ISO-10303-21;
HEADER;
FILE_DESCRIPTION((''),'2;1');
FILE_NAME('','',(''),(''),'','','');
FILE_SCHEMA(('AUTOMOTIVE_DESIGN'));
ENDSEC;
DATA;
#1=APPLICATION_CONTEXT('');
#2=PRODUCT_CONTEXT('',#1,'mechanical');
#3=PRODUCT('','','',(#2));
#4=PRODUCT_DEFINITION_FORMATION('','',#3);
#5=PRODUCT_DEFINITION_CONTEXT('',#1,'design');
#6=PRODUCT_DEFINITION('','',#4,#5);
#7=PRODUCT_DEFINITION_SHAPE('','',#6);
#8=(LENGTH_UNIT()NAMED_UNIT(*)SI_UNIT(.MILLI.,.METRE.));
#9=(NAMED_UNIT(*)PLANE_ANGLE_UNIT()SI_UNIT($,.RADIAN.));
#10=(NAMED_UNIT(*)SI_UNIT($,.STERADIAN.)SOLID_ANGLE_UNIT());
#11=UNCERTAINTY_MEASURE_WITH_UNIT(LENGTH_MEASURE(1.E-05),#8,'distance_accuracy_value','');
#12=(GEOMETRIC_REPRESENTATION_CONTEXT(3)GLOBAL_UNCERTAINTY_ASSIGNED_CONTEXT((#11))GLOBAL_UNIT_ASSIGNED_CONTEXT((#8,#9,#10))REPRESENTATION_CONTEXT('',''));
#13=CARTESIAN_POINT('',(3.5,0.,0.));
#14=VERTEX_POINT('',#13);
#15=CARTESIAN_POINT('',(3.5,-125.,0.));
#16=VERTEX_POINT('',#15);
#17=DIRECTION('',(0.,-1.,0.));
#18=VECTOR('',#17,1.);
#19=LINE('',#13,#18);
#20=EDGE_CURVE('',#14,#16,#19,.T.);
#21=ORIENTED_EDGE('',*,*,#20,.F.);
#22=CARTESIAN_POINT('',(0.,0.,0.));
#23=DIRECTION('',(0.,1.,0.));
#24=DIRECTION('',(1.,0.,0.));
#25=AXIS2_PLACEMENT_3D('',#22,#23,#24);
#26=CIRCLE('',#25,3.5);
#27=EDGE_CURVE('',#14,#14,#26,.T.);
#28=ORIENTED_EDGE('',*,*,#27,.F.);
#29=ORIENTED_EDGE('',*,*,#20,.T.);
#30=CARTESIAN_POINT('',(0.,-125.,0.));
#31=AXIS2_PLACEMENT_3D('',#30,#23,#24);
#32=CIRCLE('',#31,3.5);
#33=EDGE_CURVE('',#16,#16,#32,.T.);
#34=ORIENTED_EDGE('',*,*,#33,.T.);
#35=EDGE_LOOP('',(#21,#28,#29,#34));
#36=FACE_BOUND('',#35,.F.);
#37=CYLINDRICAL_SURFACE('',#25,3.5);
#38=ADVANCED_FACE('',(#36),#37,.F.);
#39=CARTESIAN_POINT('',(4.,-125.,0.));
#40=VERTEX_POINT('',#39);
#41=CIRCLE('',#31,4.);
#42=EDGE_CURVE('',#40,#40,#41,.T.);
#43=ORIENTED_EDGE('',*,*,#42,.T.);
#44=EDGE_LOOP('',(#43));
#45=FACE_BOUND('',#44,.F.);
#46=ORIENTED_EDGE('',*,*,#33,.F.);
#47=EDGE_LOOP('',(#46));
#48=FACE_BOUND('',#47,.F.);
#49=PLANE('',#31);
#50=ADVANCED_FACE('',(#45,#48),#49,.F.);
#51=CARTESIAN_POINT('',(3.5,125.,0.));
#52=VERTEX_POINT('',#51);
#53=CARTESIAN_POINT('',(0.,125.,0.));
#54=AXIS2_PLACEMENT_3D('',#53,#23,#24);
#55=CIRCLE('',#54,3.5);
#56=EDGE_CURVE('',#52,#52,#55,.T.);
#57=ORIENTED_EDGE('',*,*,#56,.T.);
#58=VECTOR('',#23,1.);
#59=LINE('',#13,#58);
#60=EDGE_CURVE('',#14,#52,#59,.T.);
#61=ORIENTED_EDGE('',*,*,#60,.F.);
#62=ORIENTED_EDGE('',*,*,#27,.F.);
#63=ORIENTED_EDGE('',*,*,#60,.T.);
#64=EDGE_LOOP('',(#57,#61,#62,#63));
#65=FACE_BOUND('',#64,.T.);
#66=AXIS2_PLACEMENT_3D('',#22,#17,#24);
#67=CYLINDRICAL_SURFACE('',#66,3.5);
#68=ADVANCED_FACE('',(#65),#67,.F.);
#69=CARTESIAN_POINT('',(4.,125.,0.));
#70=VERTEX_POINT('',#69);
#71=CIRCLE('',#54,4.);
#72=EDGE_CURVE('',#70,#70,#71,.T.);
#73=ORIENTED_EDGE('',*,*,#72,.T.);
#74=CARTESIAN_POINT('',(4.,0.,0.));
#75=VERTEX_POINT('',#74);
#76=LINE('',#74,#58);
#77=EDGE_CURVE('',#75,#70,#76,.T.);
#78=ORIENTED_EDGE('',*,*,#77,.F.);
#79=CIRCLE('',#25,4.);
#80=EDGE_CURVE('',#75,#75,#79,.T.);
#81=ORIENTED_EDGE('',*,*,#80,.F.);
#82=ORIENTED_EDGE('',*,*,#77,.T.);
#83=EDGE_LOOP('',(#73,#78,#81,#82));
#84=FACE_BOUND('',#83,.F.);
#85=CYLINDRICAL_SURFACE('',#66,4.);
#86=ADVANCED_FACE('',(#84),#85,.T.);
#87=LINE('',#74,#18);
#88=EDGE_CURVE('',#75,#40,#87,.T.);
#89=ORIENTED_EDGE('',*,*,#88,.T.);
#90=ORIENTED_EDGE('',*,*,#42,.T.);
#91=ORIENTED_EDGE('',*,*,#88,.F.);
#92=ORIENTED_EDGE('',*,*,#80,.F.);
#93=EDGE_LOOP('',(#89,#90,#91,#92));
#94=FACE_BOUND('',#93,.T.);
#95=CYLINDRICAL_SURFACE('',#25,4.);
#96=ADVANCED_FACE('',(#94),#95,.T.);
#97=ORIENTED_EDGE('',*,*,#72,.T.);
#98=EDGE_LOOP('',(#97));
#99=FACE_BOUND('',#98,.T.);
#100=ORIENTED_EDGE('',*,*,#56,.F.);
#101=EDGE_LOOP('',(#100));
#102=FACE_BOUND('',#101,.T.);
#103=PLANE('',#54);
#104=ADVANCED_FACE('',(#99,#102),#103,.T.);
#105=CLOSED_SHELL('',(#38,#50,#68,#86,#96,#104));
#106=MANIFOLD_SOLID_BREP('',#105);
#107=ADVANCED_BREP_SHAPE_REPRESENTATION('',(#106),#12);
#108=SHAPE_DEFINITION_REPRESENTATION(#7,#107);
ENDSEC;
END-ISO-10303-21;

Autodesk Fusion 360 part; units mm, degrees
sketch "Sketch1" plane through (0, 0, 0) normal (0, 1, 0) x (1, 0, 0)
  circle A0 centre (0, 0) radius 4
  circle A1 centre (0, 0) radius 3.5
  dimension "d1" = 8
  dimension "d2" = 7
extrude "Extrude1" add sketch "Sketch1" along normal mid plane 250
